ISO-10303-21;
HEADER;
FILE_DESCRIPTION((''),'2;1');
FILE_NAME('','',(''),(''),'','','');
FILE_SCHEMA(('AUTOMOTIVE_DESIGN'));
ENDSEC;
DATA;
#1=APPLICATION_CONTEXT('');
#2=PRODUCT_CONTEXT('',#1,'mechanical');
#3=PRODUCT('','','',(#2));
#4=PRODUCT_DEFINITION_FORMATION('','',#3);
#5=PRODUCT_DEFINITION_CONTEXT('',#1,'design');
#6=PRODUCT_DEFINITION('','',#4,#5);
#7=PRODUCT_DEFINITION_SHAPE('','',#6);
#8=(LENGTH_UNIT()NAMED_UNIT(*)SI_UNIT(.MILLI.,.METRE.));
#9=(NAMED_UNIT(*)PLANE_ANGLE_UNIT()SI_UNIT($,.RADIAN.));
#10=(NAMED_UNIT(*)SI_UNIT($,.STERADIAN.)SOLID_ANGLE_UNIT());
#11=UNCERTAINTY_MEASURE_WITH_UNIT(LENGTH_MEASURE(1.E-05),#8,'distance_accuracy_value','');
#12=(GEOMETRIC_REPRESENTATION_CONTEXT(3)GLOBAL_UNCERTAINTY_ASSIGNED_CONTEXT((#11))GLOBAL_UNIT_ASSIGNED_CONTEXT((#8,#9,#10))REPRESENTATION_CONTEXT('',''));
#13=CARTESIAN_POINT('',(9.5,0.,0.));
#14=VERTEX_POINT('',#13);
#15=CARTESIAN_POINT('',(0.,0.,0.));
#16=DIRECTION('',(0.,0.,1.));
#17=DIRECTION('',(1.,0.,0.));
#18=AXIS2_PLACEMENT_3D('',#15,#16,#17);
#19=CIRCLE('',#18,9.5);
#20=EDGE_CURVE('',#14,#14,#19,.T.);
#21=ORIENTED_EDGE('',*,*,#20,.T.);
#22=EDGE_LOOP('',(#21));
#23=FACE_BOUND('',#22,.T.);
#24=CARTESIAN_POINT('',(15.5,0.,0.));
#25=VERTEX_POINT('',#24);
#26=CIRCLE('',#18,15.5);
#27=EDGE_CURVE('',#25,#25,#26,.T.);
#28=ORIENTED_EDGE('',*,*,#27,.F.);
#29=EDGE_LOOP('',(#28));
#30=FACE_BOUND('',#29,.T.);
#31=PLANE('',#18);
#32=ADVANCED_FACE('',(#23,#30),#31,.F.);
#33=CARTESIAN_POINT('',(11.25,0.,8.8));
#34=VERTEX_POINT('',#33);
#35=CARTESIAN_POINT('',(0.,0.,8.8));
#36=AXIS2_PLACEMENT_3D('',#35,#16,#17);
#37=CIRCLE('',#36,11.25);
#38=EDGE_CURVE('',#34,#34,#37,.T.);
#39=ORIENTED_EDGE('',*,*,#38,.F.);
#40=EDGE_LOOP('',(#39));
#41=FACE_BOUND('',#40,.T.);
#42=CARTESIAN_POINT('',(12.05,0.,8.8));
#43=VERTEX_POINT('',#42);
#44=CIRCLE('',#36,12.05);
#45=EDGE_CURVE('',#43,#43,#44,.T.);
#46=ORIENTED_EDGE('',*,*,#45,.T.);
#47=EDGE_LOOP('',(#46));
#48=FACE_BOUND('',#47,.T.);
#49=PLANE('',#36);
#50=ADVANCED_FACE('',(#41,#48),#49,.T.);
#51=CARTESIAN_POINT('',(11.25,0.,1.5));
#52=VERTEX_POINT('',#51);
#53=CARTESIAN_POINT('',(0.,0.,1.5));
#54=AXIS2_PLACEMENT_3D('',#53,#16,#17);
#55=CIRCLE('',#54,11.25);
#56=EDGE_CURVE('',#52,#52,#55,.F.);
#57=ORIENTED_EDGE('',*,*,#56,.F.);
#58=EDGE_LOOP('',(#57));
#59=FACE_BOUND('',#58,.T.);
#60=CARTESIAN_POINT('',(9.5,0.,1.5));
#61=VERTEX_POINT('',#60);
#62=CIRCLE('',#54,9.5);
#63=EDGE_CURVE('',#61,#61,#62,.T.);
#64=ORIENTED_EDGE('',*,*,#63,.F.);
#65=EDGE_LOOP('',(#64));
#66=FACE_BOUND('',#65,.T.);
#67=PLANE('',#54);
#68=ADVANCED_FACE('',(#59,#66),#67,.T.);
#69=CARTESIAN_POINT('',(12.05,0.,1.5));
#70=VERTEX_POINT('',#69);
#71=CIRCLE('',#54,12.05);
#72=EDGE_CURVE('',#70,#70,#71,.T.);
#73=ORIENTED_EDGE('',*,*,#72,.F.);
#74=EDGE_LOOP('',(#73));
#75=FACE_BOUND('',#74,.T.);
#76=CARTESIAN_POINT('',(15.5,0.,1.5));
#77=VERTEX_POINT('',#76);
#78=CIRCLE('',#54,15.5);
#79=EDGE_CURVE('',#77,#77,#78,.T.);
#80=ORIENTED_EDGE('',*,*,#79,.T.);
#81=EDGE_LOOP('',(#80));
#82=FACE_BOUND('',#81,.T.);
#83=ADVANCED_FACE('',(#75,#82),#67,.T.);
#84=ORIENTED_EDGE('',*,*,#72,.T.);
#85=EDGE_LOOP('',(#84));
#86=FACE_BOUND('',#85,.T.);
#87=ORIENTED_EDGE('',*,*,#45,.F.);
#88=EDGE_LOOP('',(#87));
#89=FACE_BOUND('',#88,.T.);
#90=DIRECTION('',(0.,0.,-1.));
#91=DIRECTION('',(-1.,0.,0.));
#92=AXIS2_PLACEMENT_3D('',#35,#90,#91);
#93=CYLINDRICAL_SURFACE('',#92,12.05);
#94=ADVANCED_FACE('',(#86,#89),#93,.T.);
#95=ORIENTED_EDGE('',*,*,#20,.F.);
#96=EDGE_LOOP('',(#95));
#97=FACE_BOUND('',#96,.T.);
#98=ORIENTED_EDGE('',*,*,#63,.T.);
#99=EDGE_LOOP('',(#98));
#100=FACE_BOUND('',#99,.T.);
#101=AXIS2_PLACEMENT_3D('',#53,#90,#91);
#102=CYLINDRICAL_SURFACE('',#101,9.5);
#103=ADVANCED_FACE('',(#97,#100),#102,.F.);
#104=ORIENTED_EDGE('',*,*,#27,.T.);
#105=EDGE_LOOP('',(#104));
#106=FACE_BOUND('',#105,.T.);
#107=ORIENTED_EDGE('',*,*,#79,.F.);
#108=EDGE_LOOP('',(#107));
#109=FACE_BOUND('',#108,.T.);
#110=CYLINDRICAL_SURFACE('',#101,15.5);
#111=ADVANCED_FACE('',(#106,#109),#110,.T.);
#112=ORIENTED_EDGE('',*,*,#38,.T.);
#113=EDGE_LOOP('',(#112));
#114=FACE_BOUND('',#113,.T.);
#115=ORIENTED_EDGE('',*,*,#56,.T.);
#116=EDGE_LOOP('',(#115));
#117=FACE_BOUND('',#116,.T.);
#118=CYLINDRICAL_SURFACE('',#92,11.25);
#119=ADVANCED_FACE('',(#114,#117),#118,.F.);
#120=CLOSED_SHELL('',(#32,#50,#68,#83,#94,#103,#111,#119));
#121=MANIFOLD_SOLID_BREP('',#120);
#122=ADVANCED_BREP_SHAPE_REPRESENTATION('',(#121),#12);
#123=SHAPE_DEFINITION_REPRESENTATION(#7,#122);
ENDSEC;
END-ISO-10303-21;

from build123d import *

# Parameters (mm, degrees)
CROQUIS1_R              = 15.5
CROQUIS1_R_2            = 9.5
SALIENTE_EXTRUIR1_DEPTH = 1.5
CROQUIS2_R              = 12.05
CROQUIS2_R_2            = 11.25
SALIENTE_EXTRUIR2_DEPTH = 7.3


with BuildPart() as part:
    # Croquis1 → Saliente-Extruir1 (new body)
    with BuildSketch(Plane.XY):
        Circle(CROQUIS1_R)
        Circle(CROQUIS1_R_2, mode=Mode.SUBTRACT)
    extrude(amount=SALIENTE_EXTRUIR1_DEPTH)

    # Croquis2 → Saliente-Extruir2 (add)
    with BuildSketch(Plane.XY.offset(1.5)):
        Circle(CROQUIS2_R)
        Circle(CROQUIS2_R_2, mode=Mode.SUBTRACT)
    extrude(amount=SALIENTE_EXTRUIR2_DEPTH)


solid = part.part
